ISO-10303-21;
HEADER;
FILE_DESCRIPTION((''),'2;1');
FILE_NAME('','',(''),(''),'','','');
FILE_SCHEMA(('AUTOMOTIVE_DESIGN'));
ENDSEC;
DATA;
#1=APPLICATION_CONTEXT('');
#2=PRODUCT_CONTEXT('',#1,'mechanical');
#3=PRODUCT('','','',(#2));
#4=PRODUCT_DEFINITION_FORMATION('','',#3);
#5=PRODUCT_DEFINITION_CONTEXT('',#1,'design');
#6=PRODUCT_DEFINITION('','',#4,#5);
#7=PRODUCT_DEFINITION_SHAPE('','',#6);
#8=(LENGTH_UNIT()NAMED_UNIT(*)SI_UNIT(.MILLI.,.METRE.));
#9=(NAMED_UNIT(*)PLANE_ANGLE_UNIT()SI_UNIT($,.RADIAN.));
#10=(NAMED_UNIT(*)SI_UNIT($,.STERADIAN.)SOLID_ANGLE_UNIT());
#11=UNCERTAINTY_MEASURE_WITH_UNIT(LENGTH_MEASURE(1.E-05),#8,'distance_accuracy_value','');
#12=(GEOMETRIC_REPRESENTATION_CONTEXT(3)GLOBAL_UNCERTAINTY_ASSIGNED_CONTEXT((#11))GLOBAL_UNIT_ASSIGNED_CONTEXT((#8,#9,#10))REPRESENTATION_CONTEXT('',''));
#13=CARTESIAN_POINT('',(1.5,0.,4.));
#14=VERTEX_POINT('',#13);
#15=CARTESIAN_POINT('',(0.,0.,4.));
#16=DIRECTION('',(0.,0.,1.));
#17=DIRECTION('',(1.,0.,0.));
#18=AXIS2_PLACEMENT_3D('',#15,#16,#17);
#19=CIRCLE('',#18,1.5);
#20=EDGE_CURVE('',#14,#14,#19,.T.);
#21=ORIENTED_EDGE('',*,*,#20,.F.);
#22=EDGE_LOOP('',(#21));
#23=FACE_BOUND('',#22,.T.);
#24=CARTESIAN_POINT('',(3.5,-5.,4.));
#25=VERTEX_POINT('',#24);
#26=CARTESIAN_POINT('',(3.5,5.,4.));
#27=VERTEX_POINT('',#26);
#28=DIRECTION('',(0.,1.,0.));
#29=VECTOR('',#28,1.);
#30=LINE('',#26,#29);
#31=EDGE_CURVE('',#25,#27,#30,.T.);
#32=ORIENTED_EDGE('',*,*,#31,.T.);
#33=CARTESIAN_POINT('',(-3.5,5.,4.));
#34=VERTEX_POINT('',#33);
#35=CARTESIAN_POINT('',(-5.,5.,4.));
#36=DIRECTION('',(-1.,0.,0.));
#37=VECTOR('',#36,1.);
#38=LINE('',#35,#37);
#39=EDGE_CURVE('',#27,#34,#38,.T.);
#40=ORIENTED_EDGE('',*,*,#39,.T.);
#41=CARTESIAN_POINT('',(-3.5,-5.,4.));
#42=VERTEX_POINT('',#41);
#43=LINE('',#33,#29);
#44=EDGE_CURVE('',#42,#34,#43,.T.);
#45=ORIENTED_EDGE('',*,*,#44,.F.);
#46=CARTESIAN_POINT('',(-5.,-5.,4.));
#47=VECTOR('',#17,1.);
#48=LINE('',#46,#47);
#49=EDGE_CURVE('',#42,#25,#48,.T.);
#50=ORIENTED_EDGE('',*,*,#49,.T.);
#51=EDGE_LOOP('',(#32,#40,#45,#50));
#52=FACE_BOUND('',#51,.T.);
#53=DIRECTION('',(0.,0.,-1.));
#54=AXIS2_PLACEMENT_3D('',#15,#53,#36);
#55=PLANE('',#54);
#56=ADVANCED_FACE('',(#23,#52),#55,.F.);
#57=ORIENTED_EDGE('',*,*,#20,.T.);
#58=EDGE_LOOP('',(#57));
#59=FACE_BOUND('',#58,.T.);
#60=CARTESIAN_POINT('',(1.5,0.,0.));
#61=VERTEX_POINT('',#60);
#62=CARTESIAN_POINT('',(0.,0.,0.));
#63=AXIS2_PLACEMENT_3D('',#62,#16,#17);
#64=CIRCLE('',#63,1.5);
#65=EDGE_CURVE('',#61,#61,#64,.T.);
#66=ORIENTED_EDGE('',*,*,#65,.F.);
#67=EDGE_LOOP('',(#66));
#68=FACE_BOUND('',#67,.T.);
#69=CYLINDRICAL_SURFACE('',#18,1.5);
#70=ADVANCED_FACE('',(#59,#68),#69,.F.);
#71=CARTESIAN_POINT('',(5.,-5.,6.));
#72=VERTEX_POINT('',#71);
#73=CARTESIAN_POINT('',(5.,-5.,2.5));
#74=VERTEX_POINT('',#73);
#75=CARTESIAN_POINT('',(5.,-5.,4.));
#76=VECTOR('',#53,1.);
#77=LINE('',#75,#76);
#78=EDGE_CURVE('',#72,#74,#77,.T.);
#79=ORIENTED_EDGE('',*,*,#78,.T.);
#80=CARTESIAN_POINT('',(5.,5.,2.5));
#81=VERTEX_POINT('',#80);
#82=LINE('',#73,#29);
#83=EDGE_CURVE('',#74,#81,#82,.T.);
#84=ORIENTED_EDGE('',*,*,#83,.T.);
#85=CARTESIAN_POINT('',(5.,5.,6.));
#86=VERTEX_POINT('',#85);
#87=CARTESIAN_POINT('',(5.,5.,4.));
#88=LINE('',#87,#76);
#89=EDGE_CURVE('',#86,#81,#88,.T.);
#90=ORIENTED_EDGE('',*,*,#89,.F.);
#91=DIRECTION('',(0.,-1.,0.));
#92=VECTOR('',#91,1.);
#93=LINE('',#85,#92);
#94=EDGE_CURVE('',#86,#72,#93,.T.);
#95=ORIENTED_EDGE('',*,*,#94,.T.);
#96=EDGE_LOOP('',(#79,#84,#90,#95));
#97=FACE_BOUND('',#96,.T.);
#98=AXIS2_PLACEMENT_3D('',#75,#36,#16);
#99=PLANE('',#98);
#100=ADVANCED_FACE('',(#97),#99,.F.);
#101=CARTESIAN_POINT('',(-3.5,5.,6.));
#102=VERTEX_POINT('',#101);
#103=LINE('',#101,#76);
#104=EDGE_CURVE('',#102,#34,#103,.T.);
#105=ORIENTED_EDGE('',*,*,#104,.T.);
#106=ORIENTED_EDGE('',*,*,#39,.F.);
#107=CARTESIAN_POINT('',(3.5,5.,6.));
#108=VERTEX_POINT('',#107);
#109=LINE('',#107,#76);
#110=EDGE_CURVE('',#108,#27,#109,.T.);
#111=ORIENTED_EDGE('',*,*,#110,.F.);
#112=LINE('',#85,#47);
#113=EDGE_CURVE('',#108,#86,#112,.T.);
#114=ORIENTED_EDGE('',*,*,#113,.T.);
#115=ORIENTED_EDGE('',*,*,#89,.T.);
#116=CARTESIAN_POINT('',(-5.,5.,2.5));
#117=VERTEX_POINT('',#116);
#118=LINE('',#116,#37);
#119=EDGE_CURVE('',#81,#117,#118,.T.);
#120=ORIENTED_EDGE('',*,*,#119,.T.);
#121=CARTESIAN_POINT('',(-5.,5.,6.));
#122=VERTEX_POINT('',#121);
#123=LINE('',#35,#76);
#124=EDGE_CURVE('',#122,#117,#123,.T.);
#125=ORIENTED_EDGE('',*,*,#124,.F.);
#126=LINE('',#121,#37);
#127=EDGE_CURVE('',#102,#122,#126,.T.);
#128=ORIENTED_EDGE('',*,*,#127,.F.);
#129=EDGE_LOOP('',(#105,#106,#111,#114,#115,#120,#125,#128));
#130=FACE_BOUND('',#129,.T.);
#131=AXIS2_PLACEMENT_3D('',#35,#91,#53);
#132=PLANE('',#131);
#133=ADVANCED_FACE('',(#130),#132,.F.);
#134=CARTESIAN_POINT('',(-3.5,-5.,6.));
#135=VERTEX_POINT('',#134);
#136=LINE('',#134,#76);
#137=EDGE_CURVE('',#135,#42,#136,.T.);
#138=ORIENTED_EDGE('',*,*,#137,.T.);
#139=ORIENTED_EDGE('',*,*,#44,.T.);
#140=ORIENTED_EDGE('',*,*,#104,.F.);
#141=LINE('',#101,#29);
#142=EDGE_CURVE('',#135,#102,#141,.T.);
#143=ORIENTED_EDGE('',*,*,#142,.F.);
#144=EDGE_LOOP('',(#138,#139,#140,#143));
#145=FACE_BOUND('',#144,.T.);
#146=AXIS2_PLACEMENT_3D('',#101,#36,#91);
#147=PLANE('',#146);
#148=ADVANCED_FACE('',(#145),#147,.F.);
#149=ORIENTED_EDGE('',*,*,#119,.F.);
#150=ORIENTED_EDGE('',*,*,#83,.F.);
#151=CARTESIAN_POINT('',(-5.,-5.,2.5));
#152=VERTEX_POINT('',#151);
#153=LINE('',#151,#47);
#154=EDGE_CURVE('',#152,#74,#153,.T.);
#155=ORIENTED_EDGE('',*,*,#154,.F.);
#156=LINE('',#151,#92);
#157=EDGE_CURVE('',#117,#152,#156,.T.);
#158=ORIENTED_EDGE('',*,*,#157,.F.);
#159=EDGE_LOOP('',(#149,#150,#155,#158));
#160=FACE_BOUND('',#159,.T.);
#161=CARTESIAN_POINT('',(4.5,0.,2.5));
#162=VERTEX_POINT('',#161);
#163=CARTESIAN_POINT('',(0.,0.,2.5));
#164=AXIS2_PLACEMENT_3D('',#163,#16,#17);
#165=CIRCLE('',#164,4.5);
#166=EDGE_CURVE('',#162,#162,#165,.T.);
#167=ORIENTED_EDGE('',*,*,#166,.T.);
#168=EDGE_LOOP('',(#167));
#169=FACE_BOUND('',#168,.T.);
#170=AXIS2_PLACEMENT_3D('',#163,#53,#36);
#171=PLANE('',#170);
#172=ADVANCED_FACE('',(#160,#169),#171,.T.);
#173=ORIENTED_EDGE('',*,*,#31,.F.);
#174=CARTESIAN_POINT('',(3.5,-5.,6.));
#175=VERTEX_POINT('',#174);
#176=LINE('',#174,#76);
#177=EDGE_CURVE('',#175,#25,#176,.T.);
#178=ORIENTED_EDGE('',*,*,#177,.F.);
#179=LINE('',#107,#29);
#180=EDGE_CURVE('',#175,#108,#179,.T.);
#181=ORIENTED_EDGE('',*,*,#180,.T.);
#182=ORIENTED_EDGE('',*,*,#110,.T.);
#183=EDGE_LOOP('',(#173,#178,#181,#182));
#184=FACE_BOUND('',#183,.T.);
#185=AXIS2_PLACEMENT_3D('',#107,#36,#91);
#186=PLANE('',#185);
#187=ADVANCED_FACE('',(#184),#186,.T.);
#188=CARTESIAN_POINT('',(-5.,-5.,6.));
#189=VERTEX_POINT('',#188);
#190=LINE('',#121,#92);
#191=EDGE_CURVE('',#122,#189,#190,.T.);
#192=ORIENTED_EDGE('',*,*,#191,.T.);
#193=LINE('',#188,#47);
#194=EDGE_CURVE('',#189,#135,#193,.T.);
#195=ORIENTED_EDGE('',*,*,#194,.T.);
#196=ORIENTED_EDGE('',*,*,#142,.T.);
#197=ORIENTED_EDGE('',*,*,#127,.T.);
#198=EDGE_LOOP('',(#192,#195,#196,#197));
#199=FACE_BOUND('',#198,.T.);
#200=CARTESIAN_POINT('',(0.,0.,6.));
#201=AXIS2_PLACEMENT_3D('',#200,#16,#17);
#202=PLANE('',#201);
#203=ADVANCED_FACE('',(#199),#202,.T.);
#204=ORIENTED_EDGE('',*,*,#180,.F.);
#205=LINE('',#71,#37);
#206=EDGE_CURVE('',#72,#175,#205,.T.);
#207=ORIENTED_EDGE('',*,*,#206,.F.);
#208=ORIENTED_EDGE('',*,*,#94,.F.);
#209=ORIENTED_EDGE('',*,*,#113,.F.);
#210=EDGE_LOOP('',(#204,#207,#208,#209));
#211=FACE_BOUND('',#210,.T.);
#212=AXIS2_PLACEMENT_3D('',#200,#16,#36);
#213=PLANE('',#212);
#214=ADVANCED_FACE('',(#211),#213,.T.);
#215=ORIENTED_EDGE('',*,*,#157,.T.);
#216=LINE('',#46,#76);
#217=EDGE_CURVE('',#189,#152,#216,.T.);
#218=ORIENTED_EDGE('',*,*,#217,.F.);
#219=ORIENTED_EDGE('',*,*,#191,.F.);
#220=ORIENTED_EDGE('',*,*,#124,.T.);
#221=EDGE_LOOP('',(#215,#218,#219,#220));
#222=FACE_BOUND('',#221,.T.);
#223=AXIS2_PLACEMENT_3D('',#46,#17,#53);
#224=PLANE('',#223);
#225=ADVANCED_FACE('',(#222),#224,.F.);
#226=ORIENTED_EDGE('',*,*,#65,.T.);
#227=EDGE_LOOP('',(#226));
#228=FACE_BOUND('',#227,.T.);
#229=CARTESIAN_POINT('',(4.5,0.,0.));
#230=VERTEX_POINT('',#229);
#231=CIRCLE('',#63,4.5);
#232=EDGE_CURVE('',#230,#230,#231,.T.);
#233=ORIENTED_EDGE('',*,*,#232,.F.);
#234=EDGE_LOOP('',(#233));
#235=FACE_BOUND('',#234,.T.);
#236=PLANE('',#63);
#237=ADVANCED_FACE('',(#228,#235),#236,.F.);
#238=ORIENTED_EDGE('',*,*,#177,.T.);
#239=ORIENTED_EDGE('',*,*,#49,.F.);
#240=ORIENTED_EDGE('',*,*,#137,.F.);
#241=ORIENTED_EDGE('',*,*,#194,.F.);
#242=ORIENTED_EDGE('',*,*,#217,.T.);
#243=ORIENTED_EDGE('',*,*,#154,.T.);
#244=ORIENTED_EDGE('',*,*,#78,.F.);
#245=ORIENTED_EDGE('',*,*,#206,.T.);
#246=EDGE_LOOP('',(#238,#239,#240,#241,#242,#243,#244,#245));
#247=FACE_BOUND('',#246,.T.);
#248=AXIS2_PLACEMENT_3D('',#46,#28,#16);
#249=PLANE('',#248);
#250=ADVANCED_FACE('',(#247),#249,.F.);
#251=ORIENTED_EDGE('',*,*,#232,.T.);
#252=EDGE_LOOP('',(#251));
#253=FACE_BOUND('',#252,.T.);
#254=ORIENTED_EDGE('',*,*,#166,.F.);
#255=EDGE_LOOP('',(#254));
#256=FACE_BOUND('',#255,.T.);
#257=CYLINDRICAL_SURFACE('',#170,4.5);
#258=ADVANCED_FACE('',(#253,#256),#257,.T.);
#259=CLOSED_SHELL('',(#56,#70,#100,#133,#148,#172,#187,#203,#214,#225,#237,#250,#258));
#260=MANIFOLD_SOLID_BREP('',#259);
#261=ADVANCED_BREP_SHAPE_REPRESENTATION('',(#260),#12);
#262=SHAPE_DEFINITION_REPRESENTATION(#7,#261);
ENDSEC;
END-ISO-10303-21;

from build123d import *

# Parameters (mm, degrees)
SKETCH_1_R            = 4.5
EXTRUDE_1_DEPTH       = 2.5
SKETCH_2_W            = 10
SKETCH_2_H            = 10
EXTRUDE_2_DEPTH       = 1.5
SKETCH_3_W            = 1.5
SKETCH_3_H            = 10
EXTRUDE_3_DEPTH       = 2
HOLE_WIZARD_3_0_3_1_D = 3


with BuildPart() as part:
    # 草圖1 → 填料-伸長1 (new body)
    with BuildSketch(Plane.XY):
        Circle(SKETCH_1_R)
    extrude(amount=EXTRUDE_1_DEPTH)

    # 草圖2 → 填料-伸長2 (add)
    with BuildSketch(Plane.XY.offset(2.5)):
        Rectangle(SKETCH_2_W, SKETCH_2_H)
    extrude(amount=EXTRUDE_2_DEPTH)

    # 草圖3 → 填料-伸長3 (add)
    with BuildSketch(Plane.XY.offset(4)):
        with Locations((-4.25, 0)):
            Rectangle(SKETCH_3_W, SKETCH_3_H)
    extrude_3 = extrude(amount=EXTRUDE_3_DEPTH)

    # 鏡射1: 填料-伸長3 across plane
    add(extrude_3.mirror(Plane(origin=(0, 0, 0), x_dir=(0, 0, 1), z_dir=(1, 0, 0))))

    # Ø3.0 (3) 直徑孔1 (through all)
    with Locations(Plane.XY.offset(4)):
        with Locations((0, 0)):
            Hole(HOLE_WIZARD_3_0_3_1_D / 2)


solid = part.part
